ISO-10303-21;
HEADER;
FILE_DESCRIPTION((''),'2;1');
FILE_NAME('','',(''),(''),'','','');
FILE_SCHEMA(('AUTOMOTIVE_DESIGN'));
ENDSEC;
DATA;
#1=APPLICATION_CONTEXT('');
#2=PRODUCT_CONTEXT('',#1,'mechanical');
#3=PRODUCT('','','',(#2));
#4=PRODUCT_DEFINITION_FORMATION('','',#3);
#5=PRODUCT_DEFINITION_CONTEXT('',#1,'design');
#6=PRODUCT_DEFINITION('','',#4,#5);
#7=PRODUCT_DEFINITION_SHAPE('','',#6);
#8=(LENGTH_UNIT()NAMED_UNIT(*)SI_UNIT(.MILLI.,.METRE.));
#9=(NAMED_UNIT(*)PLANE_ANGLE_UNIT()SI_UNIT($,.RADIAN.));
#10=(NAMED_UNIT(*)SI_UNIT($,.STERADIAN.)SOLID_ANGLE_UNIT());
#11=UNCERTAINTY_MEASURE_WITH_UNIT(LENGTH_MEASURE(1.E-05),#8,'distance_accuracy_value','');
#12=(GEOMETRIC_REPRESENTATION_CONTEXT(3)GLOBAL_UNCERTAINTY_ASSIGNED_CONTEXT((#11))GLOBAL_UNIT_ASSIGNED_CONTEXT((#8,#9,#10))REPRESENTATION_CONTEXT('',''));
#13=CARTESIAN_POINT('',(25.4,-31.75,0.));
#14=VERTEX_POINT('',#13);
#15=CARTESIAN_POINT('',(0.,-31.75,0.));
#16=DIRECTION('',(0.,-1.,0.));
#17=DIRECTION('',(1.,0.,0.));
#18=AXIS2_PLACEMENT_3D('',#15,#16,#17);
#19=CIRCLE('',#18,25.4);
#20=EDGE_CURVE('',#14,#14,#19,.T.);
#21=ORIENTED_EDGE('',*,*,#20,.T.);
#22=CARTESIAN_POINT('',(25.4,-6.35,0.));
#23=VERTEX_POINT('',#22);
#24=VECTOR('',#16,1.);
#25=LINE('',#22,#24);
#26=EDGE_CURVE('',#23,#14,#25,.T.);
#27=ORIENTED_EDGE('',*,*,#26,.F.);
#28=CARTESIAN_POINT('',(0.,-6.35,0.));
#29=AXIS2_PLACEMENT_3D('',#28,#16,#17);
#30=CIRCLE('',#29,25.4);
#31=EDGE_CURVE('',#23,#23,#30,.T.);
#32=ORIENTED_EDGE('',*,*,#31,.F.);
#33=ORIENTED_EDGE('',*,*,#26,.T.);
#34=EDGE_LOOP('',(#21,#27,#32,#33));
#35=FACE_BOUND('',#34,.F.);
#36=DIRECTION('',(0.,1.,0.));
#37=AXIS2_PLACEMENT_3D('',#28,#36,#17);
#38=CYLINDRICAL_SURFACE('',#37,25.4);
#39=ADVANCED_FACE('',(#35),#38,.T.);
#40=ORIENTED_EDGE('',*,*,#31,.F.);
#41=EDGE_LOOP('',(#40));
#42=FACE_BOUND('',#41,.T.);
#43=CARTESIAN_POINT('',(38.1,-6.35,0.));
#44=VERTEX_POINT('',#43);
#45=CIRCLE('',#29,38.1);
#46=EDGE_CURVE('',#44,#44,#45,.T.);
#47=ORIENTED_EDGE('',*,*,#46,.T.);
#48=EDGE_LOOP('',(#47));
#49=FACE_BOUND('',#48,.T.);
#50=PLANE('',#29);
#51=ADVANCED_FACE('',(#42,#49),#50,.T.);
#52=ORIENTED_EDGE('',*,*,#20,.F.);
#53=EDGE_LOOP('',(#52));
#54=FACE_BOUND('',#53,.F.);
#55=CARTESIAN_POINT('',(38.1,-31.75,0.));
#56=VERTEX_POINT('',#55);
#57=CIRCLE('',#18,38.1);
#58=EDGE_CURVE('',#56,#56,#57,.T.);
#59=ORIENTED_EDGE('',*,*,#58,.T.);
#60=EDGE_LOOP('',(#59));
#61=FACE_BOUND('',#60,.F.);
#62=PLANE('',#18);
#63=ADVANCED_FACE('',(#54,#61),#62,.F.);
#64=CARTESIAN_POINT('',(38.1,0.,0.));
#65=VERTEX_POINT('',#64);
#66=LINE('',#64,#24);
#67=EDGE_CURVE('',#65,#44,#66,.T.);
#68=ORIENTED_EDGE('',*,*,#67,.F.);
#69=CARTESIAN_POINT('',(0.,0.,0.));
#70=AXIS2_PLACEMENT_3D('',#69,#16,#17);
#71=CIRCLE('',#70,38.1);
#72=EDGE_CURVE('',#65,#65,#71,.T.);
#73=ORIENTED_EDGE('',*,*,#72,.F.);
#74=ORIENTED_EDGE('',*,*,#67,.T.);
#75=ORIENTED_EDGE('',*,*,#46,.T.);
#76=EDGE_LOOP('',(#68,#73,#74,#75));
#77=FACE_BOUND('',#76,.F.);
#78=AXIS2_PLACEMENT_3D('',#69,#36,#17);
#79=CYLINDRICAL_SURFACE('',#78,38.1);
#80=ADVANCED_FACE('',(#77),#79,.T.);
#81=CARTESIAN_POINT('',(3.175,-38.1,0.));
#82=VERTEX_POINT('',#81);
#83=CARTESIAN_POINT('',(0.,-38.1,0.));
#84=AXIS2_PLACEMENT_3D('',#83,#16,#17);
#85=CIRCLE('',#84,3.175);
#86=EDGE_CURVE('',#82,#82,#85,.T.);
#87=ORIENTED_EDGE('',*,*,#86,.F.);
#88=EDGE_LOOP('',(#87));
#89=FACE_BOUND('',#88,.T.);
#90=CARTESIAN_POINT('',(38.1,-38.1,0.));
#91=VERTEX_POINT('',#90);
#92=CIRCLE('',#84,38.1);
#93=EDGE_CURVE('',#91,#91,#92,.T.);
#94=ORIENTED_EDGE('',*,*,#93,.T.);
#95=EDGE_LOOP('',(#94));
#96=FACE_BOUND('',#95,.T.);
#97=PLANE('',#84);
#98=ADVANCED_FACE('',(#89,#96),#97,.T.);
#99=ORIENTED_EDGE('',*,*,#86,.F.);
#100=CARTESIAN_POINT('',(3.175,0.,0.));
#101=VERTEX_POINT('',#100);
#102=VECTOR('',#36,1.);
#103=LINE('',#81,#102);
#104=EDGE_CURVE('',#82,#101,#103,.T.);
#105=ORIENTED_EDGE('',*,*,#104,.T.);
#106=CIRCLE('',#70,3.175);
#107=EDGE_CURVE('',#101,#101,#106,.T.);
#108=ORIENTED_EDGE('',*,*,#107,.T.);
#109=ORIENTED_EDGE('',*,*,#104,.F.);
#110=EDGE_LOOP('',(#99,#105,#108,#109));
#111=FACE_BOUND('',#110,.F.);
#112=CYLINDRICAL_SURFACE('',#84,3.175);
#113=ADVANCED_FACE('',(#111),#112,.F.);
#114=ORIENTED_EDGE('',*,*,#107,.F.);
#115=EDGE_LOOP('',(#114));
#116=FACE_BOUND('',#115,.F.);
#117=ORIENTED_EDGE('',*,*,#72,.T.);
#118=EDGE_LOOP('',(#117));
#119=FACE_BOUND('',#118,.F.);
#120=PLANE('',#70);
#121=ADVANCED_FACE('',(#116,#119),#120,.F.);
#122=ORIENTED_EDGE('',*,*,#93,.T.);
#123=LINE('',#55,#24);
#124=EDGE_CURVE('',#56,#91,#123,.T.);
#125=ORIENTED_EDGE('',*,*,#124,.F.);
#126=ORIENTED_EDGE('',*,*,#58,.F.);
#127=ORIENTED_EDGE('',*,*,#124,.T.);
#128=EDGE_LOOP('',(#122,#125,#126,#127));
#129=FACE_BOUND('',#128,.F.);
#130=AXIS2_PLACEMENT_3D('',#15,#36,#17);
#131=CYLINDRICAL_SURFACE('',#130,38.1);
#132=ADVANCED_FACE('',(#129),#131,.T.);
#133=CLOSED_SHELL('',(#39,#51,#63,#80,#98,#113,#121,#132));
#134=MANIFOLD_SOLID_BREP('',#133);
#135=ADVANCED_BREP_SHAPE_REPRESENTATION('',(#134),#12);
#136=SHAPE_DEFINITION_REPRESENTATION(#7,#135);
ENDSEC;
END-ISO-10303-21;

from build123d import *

# Parameters (mm, degrees)
F0_R     = 38.1
F1_DEPTH = 6.35
F2_R     = 25.4
F3_DEPTH = 25.4
F4_R     = 38.1
F4_R_2   = 25.4
F5_DEPTH = 6.35
F6_R     = 3.175
F7_DEPTH = 38.101


with BuildPart() as f1:
    # F0 (on Front) → F1 (new body)
    with BuildSketch(Plane.XZ):
        Circle(F0_R)
    extrude(amount=F1_DEPTH)

    # F2 (on face) → F3 (join)
    with BuildSketch(Plane.XZ.offset(6.35)):
        Circle(F2_R)
    extrude(amount=F3_DEPTH)

    # F4 (on face) → F5 (join)
    with BuildSketch(Plane.XZ.offset(31.75)):
        Circle(F4_R)
        Circle(F4_R_2, mode=Mode.SUBTRACT)
        Circle(F4_R_2)
    extrude(amount=F5_DEPTH)

    # F6 (on face) → F7 (cut, through all)
    with BuildSketch(Plane.XZ.offset(38.1)):
        Circle(F6_R)
    extrude(amount=-F7_DEPTH, mode=Mode.SUBTRACT)


solid = f1.part
